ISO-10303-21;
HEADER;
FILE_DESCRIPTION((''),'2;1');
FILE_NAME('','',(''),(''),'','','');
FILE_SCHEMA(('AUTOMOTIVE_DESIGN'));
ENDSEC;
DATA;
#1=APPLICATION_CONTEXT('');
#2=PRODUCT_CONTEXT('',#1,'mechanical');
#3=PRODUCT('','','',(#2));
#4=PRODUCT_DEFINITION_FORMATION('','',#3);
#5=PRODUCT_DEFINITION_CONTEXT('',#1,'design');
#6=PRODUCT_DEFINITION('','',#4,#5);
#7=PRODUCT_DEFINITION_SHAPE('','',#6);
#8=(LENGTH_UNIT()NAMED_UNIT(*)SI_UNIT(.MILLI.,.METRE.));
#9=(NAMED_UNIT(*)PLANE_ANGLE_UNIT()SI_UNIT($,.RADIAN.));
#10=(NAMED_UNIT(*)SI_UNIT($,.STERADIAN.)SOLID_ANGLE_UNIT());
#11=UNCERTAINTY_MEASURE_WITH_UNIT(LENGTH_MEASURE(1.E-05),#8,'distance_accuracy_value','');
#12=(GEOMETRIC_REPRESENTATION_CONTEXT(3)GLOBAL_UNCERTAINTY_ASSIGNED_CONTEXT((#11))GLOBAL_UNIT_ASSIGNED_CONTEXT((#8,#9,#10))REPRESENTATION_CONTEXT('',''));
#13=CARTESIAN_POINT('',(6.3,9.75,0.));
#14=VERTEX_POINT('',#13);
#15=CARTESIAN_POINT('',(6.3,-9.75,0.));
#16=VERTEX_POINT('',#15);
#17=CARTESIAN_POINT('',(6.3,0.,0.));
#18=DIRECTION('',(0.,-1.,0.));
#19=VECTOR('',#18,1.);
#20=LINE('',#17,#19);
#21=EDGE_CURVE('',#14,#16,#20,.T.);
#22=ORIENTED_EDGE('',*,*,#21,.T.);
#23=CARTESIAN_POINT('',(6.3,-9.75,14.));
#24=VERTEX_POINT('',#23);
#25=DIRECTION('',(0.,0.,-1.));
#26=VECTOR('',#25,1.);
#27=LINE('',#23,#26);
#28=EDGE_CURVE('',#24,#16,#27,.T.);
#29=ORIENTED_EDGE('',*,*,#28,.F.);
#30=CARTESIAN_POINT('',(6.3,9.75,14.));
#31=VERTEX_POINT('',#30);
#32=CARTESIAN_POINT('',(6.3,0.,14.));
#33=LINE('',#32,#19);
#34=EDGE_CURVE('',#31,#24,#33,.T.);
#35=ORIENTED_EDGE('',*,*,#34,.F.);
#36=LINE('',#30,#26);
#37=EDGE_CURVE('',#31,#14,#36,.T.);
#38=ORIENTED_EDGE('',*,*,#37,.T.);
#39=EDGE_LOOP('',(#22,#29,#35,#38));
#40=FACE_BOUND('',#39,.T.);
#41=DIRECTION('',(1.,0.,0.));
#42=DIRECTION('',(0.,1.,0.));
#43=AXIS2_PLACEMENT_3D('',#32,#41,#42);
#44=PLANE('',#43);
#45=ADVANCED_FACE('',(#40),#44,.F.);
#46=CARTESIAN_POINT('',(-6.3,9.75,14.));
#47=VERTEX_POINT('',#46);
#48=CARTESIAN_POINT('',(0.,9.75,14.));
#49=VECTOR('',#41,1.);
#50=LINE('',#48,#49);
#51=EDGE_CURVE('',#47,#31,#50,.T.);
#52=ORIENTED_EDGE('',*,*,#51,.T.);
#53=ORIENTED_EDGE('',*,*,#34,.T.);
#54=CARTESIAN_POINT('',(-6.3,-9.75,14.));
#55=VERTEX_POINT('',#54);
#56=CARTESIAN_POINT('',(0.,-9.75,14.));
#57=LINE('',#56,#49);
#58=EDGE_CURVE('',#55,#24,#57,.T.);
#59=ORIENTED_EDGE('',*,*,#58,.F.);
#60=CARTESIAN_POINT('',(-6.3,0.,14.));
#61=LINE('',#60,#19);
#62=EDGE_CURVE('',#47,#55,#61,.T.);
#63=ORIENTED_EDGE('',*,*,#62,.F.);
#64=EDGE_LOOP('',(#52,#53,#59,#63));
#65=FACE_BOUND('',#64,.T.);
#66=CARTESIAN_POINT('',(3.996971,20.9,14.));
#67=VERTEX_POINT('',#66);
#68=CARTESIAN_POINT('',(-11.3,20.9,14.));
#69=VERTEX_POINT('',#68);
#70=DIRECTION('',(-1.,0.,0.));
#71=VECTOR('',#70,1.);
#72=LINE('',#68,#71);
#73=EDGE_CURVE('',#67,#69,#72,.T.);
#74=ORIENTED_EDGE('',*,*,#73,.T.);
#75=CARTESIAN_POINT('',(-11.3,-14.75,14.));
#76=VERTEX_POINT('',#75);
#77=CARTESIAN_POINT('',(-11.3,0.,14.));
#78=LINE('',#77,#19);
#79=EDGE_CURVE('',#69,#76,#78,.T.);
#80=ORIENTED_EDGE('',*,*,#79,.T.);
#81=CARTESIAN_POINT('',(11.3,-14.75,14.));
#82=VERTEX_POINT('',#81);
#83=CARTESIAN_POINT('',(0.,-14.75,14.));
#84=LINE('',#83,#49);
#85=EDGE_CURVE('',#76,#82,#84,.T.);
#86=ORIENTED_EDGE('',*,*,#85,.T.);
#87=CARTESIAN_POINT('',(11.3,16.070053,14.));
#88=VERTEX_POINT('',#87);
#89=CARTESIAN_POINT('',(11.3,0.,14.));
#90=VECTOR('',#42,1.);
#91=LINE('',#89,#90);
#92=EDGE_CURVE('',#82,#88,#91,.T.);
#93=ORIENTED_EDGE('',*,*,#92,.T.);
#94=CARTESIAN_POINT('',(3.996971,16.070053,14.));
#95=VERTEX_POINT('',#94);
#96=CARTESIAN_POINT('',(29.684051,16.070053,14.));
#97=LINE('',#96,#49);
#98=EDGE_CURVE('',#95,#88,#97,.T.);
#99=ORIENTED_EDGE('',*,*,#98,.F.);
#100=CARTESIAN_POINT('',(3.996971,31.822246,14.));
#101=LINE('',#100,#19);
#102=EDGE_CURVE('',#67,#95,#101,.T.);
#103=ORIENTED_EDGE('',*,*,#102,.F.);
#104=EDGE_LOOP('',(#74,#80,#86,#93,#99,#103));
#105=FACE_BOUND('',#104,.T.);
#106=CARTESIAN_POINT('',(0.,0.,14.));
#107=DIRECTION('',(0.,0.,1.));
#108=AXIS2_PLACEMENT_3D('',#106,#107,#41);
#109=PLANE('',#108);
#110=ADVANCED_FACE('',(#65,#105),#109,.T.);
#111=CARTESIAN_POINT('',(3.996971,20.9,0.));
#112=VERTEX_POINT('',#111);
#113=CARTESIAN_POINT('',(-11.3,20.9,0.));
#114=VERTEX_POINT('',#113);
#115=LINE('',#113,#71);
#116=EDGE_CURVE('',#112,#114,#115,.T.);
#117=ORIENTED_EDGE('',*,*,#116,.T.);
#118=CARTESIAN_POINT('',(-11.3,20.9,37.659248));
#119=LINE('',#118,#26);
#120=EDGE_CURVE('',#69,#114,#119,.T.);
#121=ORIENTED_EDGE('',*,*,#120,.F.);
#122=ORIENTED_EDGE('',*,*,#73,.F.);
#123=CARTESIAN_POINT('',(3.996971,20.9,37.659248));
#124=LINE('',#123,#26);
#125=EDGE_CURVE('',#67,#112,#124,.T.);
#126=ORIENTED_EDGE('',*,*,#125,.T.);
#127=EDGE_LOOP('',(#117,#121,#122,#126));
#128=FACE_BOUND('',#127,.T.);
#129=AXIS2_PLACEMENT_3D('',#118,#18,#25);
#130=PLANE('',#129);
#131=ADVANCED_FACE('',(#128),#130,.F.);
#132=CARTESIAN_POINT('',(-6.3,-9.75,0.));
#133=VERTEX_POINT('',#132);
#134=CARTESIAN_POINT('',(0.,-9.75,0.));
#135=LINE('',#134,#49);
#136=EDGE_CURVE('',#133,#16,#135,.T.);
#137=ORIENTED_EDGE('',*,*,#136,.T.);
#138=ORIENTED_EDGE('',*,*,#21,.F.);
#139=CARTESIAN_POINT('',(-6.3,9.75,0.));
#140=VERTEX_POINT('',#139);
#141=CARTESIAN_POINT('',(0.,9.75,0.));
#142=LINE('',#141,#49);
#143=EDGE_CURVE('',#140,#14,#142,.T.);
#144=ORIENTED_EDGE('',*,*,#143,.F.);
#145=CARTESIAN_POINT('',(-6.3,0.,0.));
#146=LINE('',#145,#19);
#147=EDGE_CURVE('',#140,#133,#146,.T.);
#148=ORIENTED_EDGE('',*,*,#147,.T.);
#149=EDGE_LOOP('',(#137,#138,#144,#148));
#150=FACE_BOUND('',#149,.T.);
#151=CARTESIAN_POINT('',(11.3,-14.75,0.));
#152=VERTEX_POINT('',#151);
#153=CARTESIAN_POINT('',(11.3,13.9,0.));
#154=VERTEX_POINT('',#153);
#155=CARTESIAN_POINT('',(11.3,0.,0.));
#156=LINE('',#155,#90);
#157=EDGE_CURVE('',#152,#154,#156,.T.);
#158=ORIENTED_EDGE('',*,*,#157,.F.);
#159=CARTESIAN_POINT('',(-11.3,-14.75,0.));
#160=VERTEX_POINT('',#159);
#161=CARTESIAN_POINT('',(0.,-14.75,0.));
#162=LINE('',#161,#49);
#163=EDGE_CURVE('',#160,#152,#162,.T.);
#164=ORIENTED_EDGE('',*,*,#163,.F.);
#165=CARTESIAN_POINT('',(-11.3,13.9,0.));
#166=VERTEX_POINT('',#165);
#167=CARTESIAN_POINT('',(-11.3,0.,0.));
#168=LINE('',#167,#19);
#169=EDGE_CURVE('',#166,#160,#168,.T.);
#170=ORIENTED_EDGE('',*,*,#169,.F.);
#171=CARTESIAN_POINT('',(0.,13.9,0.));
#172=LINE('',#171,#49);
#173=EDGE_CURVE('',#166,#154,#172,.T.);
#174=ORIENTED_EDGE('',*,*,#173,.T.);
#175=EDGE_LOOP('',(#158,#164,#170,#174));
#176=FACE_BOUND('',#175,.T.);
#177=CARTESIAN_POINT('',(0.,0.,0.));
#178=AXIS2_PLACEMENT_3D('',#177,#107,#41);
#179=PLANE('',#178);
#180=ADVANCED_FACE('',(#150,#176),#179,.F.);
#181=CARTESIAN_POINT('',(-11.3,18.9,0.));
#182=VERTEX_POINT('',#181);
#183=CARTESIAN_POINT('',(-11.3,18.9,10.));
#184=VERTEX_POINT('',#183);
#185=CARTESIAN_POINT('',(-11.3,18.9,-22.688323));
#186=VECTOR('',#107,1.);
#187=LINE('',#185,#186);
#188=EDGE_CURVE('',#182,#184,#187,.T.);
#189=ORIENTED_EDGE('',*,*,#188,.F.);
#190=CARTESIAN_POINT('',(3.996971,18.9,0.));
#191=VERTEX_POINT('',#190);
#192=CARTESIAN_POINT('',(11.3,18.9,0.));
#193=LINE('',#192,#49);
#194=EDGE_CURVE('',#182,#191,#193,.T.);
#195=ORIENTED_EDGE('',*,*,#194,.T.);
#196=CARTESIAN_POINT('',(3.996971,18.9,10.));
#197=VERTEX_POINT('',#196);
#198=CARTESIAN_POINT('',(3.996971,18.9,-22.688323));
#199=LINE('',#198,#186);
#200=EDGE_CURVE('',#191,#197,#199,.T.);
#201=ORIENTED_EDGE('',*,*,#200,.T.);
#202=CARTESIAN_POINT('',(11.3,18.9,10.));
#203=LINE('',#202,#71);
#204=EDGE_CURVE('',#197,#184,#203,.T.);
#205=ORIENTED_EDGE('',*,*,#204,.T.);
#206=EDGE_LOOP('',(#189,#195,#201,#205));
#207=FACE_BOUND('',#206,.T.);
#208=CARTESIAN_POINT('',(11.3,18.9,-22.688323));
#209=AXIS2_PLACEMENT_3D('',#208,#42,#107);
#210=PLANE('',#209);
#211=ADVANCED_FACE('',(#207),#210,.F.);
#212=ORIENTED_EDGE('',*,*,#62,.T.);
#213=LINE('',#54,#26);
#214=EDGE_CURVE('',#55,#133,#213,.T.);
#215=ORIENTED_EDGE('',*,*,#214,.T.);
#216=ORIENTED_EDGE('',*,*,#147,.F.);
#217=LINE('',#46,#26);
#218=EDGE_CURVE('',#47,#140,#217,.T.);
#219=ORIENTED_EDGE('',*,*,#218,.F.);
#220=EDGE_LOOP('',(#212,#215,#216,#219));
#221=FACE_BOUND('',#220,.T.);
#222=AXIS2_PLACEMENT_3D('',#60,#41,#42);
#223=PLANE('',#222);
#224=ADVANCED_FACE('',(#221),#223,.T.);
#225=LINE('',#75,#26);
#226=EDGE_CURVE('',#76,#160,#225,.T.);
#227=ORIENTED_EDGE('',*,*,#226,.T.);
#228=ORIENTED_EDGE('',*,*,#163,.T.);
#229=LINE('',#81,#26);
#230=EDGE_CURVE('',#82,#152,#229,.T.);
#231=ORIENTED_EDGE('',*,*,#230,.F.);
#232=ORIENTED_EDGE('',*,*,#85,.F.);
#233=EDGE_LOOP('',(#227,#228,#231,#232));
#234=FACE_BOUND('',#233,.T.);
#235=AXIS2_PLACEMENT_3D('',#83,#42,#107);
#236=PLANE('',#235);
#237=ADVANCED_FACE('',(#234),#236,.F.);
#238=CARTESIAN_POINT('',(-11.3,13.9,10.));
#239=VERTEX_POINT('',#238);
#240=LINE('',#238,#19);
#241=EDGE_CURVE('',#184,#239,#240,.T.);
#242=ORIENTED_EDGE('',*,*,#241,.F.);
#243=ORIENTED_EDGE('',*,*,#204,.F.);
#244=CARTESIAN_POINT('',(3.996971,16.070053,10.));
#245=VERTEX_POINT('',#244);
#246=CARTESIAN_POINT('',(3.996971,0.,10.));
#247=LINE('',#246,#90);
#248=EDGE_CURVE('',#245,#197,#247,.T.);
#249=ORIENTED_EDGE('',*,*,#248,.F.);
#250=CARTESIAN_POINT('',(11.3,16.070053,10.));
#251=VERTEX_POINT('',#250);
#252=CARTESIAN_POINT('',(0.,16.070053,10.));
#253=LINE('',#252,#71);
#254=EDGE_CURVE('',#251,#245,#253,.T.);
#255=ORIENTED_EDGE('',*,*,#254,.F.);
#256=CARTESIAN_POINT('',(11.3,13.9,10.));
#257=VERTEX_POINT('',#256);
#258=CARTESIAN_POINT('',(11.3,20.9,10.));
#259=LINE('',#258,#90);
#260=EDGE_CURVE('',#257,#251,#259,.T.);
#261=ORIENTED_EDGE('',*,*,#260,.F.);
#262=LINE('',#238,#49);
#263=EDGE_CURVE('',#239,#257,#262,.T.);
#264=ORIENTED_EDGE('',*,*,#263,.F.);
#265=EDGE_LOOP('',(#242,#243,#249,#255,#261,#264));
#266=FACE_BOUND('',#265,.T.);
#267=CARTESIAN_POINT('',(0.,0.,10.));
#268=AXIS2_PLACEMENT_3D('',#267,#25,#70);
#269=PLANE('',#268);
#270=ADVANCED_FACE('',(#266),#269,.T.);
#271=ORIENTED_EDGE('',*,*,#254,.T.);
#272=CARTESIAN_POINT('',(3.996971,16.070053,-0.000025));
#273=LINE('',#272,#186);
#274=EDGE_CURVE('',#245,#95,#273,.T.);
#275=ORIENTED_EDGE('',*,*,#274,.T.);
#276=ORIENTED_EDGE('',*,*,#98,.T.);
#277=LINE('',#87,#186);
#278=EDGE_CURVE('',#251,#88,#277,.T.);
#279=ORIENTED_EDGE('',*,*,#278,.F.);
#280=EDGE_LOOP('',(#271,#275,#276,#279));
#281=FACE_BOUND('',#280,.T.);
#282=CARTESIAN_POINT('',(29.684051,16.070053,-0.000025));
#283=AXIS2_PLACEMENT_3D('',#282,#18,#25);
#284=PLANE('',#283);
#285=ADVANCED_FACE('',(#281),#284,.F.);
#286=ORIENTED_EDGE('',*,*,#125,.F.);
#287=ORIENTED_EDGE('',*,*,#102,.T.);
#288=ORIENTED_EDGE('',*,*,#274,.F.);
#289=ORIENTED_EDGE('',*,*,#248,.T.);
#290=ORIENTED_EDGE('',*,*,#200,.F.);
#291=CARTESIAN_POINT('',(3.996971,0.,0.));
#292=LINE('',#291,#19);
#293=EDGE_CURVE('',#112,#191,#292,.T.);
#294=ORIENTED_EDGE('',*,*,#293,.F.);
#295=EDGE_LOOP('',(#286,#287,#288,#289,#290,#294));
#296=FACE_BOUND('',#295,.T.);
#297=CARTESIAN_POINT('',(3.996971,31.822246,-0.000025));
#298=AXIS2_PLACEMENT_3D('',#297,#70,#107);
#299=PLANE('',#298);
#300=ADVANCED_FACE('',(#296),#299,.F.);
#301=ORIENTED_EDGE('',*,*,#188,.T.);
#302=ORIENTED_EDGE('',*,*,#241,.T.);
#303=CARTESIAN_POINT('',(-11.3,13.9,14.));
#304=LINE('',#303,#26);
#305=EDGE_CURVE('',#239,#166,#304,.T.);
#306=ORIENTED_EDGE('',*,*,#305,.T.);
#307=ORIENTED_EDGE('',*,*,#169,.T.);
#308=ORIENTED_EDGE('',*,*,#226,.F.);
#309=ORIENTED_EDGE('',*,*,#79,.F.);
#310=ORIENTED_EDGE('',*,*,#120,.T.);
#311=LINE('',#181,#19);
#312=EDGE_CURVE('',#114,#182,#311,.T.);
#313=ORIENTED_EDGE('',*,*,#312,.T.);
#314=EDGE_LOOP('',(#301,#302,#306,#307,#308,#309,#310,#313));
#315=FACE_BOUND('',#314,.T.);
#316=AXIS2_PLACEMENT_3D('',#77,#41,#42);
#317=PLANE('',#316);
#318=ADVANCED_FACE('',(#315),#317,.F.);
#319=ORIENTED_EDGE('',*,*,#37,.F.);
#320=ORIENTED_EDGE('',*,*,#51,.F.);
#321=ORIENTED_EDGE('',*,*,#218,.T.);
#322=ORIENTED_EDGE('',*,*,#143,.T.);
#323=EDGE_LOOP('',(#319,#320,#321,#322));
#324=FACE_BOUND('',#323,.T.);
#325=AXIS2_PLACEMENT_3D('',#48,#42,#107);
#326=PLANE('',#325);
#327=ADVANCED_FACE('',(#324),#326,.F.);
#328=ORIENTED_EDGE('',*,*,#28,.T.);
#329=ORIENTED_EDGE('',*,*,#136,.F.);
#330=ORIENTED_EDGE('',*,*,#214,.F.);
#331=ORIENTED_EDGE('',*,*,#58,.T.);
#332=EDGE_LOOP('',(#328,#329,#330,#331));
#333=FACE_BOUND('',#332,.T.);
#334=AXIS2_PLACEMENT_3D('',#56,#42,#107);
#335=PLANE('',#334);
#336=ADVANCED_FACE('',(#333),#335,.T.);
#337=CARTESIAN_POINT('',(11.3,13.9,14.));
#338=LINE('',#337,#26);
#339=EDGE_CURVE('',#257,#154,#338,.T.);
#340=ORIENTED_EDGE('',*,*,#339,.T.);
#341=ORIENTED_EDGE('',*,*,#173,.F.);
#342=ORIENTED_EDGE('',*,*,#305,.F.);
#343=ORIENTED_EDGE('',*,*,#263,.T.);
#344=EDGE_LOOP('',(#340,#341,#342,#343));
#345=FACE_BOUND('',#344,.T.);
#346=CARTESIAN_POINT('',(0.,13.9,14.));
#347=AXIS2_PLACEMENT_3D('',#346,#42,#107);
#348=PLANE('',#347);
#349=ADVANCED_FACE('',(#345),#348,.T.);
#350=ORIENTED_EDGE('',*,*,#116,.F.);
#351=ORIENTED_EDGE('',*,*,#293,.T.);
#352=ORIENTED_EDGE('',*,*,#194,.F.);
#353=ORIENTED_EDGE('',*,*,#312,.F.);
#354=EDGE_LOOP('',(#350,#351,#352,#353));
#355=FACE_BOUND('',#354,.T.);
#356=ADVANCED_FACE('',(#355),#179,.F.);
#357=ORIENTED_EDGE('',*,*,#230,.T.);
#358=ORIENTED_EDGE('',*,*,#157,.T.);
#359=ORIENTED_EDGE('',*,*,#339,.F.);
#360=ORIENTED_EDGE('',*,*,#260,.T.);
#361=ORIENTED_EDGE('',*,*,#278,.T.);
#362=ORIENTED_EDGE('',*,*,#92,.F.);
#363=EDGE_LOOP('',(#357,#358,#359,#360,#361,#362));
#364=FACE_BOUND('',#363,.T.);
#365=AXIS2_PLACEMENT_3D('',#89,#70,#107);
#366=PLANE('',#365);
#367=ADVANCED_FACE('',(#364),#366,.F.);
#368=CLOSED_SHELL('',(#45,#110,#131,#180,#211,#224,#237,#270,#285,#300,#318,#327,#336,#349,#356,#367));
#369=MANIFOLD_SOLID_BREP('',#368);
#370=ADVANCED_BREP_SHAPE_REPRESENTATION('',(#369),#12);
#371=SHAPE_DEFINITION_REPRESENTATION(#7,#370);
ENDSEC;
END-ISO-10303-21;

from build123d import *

# Parameters (mm, degrees)
SKETCH1_W           = 22.6
SKETCH1_H           = 28.65
SKETCH1_W_2         = 12.6
SKETCH1_H_2         = 19.5
BOSS_EXTRUDE1_DEPTH = 14
SKETCH3_W           = 22.6
SKETCH3_H           = 7
BOSS_EXTRUDE2_DEPTH = 4
SKETCH4_W           = 22.6
SKETCH4_H           = 2
BOSS_EXTRUDE3_DEPTH = 10
SKETCH5_W           = 25.687080714
SKETCH5_H           = 15.752193048
CUT_EXTRUDE1_DEPTH  = 28.577164466


with BuildPart() as part:
    # Sketch1 → Boss-Extrude1 (new body)
    with BuildSketch(Plane.XY):
        with Locations((0, -0.425)):
            Rectangle(SKETCH1_W, SKETCH1_H)
        Rectangle(SKETCH1_W_2, SKETCH1_H_2, mode=Mode.SUBTRACT)
    extrude(amount=BOSS_EXTRUDE1_DEPTH)

    # Sketch3 → Boss-Extrude2 (add)
    with BuildSketch(Plane.XY.offset(10)):
        with Locations((0, 17.4)):
            Rectangle(SKETCH3_W, SKETCH3_H)
    extrude(amount=BOSS_EXTRUDE2_DEPTH)

    # Sketch4 → Boss-Extrude3 (add)
    with BuildSketch(Plane(origin=(0, 0, 10), x_dir=(-1, 0, 0), z_dir=(0, 0, -1))):
        with Locations((0, 19.9)):
            Rectangle(SKETCH4_W, SKETCH4_H)
    extrude(amount=BOSS_EXTRUDE3_DEPTH)

    # Sketch5 → Cut-Extrude1 (cut, through all)
    with BuildSketch(Plane.XY.offset(14)):
        with Locations((16.840510888, 23.946149684)):
            Rectangle(SKETCH5_W, SKETCH5_H)
    extrude(amount=-CUT_EXTRUDE1_DEPTH, mode=Mode.SUBTRACT)


solid = part.part
